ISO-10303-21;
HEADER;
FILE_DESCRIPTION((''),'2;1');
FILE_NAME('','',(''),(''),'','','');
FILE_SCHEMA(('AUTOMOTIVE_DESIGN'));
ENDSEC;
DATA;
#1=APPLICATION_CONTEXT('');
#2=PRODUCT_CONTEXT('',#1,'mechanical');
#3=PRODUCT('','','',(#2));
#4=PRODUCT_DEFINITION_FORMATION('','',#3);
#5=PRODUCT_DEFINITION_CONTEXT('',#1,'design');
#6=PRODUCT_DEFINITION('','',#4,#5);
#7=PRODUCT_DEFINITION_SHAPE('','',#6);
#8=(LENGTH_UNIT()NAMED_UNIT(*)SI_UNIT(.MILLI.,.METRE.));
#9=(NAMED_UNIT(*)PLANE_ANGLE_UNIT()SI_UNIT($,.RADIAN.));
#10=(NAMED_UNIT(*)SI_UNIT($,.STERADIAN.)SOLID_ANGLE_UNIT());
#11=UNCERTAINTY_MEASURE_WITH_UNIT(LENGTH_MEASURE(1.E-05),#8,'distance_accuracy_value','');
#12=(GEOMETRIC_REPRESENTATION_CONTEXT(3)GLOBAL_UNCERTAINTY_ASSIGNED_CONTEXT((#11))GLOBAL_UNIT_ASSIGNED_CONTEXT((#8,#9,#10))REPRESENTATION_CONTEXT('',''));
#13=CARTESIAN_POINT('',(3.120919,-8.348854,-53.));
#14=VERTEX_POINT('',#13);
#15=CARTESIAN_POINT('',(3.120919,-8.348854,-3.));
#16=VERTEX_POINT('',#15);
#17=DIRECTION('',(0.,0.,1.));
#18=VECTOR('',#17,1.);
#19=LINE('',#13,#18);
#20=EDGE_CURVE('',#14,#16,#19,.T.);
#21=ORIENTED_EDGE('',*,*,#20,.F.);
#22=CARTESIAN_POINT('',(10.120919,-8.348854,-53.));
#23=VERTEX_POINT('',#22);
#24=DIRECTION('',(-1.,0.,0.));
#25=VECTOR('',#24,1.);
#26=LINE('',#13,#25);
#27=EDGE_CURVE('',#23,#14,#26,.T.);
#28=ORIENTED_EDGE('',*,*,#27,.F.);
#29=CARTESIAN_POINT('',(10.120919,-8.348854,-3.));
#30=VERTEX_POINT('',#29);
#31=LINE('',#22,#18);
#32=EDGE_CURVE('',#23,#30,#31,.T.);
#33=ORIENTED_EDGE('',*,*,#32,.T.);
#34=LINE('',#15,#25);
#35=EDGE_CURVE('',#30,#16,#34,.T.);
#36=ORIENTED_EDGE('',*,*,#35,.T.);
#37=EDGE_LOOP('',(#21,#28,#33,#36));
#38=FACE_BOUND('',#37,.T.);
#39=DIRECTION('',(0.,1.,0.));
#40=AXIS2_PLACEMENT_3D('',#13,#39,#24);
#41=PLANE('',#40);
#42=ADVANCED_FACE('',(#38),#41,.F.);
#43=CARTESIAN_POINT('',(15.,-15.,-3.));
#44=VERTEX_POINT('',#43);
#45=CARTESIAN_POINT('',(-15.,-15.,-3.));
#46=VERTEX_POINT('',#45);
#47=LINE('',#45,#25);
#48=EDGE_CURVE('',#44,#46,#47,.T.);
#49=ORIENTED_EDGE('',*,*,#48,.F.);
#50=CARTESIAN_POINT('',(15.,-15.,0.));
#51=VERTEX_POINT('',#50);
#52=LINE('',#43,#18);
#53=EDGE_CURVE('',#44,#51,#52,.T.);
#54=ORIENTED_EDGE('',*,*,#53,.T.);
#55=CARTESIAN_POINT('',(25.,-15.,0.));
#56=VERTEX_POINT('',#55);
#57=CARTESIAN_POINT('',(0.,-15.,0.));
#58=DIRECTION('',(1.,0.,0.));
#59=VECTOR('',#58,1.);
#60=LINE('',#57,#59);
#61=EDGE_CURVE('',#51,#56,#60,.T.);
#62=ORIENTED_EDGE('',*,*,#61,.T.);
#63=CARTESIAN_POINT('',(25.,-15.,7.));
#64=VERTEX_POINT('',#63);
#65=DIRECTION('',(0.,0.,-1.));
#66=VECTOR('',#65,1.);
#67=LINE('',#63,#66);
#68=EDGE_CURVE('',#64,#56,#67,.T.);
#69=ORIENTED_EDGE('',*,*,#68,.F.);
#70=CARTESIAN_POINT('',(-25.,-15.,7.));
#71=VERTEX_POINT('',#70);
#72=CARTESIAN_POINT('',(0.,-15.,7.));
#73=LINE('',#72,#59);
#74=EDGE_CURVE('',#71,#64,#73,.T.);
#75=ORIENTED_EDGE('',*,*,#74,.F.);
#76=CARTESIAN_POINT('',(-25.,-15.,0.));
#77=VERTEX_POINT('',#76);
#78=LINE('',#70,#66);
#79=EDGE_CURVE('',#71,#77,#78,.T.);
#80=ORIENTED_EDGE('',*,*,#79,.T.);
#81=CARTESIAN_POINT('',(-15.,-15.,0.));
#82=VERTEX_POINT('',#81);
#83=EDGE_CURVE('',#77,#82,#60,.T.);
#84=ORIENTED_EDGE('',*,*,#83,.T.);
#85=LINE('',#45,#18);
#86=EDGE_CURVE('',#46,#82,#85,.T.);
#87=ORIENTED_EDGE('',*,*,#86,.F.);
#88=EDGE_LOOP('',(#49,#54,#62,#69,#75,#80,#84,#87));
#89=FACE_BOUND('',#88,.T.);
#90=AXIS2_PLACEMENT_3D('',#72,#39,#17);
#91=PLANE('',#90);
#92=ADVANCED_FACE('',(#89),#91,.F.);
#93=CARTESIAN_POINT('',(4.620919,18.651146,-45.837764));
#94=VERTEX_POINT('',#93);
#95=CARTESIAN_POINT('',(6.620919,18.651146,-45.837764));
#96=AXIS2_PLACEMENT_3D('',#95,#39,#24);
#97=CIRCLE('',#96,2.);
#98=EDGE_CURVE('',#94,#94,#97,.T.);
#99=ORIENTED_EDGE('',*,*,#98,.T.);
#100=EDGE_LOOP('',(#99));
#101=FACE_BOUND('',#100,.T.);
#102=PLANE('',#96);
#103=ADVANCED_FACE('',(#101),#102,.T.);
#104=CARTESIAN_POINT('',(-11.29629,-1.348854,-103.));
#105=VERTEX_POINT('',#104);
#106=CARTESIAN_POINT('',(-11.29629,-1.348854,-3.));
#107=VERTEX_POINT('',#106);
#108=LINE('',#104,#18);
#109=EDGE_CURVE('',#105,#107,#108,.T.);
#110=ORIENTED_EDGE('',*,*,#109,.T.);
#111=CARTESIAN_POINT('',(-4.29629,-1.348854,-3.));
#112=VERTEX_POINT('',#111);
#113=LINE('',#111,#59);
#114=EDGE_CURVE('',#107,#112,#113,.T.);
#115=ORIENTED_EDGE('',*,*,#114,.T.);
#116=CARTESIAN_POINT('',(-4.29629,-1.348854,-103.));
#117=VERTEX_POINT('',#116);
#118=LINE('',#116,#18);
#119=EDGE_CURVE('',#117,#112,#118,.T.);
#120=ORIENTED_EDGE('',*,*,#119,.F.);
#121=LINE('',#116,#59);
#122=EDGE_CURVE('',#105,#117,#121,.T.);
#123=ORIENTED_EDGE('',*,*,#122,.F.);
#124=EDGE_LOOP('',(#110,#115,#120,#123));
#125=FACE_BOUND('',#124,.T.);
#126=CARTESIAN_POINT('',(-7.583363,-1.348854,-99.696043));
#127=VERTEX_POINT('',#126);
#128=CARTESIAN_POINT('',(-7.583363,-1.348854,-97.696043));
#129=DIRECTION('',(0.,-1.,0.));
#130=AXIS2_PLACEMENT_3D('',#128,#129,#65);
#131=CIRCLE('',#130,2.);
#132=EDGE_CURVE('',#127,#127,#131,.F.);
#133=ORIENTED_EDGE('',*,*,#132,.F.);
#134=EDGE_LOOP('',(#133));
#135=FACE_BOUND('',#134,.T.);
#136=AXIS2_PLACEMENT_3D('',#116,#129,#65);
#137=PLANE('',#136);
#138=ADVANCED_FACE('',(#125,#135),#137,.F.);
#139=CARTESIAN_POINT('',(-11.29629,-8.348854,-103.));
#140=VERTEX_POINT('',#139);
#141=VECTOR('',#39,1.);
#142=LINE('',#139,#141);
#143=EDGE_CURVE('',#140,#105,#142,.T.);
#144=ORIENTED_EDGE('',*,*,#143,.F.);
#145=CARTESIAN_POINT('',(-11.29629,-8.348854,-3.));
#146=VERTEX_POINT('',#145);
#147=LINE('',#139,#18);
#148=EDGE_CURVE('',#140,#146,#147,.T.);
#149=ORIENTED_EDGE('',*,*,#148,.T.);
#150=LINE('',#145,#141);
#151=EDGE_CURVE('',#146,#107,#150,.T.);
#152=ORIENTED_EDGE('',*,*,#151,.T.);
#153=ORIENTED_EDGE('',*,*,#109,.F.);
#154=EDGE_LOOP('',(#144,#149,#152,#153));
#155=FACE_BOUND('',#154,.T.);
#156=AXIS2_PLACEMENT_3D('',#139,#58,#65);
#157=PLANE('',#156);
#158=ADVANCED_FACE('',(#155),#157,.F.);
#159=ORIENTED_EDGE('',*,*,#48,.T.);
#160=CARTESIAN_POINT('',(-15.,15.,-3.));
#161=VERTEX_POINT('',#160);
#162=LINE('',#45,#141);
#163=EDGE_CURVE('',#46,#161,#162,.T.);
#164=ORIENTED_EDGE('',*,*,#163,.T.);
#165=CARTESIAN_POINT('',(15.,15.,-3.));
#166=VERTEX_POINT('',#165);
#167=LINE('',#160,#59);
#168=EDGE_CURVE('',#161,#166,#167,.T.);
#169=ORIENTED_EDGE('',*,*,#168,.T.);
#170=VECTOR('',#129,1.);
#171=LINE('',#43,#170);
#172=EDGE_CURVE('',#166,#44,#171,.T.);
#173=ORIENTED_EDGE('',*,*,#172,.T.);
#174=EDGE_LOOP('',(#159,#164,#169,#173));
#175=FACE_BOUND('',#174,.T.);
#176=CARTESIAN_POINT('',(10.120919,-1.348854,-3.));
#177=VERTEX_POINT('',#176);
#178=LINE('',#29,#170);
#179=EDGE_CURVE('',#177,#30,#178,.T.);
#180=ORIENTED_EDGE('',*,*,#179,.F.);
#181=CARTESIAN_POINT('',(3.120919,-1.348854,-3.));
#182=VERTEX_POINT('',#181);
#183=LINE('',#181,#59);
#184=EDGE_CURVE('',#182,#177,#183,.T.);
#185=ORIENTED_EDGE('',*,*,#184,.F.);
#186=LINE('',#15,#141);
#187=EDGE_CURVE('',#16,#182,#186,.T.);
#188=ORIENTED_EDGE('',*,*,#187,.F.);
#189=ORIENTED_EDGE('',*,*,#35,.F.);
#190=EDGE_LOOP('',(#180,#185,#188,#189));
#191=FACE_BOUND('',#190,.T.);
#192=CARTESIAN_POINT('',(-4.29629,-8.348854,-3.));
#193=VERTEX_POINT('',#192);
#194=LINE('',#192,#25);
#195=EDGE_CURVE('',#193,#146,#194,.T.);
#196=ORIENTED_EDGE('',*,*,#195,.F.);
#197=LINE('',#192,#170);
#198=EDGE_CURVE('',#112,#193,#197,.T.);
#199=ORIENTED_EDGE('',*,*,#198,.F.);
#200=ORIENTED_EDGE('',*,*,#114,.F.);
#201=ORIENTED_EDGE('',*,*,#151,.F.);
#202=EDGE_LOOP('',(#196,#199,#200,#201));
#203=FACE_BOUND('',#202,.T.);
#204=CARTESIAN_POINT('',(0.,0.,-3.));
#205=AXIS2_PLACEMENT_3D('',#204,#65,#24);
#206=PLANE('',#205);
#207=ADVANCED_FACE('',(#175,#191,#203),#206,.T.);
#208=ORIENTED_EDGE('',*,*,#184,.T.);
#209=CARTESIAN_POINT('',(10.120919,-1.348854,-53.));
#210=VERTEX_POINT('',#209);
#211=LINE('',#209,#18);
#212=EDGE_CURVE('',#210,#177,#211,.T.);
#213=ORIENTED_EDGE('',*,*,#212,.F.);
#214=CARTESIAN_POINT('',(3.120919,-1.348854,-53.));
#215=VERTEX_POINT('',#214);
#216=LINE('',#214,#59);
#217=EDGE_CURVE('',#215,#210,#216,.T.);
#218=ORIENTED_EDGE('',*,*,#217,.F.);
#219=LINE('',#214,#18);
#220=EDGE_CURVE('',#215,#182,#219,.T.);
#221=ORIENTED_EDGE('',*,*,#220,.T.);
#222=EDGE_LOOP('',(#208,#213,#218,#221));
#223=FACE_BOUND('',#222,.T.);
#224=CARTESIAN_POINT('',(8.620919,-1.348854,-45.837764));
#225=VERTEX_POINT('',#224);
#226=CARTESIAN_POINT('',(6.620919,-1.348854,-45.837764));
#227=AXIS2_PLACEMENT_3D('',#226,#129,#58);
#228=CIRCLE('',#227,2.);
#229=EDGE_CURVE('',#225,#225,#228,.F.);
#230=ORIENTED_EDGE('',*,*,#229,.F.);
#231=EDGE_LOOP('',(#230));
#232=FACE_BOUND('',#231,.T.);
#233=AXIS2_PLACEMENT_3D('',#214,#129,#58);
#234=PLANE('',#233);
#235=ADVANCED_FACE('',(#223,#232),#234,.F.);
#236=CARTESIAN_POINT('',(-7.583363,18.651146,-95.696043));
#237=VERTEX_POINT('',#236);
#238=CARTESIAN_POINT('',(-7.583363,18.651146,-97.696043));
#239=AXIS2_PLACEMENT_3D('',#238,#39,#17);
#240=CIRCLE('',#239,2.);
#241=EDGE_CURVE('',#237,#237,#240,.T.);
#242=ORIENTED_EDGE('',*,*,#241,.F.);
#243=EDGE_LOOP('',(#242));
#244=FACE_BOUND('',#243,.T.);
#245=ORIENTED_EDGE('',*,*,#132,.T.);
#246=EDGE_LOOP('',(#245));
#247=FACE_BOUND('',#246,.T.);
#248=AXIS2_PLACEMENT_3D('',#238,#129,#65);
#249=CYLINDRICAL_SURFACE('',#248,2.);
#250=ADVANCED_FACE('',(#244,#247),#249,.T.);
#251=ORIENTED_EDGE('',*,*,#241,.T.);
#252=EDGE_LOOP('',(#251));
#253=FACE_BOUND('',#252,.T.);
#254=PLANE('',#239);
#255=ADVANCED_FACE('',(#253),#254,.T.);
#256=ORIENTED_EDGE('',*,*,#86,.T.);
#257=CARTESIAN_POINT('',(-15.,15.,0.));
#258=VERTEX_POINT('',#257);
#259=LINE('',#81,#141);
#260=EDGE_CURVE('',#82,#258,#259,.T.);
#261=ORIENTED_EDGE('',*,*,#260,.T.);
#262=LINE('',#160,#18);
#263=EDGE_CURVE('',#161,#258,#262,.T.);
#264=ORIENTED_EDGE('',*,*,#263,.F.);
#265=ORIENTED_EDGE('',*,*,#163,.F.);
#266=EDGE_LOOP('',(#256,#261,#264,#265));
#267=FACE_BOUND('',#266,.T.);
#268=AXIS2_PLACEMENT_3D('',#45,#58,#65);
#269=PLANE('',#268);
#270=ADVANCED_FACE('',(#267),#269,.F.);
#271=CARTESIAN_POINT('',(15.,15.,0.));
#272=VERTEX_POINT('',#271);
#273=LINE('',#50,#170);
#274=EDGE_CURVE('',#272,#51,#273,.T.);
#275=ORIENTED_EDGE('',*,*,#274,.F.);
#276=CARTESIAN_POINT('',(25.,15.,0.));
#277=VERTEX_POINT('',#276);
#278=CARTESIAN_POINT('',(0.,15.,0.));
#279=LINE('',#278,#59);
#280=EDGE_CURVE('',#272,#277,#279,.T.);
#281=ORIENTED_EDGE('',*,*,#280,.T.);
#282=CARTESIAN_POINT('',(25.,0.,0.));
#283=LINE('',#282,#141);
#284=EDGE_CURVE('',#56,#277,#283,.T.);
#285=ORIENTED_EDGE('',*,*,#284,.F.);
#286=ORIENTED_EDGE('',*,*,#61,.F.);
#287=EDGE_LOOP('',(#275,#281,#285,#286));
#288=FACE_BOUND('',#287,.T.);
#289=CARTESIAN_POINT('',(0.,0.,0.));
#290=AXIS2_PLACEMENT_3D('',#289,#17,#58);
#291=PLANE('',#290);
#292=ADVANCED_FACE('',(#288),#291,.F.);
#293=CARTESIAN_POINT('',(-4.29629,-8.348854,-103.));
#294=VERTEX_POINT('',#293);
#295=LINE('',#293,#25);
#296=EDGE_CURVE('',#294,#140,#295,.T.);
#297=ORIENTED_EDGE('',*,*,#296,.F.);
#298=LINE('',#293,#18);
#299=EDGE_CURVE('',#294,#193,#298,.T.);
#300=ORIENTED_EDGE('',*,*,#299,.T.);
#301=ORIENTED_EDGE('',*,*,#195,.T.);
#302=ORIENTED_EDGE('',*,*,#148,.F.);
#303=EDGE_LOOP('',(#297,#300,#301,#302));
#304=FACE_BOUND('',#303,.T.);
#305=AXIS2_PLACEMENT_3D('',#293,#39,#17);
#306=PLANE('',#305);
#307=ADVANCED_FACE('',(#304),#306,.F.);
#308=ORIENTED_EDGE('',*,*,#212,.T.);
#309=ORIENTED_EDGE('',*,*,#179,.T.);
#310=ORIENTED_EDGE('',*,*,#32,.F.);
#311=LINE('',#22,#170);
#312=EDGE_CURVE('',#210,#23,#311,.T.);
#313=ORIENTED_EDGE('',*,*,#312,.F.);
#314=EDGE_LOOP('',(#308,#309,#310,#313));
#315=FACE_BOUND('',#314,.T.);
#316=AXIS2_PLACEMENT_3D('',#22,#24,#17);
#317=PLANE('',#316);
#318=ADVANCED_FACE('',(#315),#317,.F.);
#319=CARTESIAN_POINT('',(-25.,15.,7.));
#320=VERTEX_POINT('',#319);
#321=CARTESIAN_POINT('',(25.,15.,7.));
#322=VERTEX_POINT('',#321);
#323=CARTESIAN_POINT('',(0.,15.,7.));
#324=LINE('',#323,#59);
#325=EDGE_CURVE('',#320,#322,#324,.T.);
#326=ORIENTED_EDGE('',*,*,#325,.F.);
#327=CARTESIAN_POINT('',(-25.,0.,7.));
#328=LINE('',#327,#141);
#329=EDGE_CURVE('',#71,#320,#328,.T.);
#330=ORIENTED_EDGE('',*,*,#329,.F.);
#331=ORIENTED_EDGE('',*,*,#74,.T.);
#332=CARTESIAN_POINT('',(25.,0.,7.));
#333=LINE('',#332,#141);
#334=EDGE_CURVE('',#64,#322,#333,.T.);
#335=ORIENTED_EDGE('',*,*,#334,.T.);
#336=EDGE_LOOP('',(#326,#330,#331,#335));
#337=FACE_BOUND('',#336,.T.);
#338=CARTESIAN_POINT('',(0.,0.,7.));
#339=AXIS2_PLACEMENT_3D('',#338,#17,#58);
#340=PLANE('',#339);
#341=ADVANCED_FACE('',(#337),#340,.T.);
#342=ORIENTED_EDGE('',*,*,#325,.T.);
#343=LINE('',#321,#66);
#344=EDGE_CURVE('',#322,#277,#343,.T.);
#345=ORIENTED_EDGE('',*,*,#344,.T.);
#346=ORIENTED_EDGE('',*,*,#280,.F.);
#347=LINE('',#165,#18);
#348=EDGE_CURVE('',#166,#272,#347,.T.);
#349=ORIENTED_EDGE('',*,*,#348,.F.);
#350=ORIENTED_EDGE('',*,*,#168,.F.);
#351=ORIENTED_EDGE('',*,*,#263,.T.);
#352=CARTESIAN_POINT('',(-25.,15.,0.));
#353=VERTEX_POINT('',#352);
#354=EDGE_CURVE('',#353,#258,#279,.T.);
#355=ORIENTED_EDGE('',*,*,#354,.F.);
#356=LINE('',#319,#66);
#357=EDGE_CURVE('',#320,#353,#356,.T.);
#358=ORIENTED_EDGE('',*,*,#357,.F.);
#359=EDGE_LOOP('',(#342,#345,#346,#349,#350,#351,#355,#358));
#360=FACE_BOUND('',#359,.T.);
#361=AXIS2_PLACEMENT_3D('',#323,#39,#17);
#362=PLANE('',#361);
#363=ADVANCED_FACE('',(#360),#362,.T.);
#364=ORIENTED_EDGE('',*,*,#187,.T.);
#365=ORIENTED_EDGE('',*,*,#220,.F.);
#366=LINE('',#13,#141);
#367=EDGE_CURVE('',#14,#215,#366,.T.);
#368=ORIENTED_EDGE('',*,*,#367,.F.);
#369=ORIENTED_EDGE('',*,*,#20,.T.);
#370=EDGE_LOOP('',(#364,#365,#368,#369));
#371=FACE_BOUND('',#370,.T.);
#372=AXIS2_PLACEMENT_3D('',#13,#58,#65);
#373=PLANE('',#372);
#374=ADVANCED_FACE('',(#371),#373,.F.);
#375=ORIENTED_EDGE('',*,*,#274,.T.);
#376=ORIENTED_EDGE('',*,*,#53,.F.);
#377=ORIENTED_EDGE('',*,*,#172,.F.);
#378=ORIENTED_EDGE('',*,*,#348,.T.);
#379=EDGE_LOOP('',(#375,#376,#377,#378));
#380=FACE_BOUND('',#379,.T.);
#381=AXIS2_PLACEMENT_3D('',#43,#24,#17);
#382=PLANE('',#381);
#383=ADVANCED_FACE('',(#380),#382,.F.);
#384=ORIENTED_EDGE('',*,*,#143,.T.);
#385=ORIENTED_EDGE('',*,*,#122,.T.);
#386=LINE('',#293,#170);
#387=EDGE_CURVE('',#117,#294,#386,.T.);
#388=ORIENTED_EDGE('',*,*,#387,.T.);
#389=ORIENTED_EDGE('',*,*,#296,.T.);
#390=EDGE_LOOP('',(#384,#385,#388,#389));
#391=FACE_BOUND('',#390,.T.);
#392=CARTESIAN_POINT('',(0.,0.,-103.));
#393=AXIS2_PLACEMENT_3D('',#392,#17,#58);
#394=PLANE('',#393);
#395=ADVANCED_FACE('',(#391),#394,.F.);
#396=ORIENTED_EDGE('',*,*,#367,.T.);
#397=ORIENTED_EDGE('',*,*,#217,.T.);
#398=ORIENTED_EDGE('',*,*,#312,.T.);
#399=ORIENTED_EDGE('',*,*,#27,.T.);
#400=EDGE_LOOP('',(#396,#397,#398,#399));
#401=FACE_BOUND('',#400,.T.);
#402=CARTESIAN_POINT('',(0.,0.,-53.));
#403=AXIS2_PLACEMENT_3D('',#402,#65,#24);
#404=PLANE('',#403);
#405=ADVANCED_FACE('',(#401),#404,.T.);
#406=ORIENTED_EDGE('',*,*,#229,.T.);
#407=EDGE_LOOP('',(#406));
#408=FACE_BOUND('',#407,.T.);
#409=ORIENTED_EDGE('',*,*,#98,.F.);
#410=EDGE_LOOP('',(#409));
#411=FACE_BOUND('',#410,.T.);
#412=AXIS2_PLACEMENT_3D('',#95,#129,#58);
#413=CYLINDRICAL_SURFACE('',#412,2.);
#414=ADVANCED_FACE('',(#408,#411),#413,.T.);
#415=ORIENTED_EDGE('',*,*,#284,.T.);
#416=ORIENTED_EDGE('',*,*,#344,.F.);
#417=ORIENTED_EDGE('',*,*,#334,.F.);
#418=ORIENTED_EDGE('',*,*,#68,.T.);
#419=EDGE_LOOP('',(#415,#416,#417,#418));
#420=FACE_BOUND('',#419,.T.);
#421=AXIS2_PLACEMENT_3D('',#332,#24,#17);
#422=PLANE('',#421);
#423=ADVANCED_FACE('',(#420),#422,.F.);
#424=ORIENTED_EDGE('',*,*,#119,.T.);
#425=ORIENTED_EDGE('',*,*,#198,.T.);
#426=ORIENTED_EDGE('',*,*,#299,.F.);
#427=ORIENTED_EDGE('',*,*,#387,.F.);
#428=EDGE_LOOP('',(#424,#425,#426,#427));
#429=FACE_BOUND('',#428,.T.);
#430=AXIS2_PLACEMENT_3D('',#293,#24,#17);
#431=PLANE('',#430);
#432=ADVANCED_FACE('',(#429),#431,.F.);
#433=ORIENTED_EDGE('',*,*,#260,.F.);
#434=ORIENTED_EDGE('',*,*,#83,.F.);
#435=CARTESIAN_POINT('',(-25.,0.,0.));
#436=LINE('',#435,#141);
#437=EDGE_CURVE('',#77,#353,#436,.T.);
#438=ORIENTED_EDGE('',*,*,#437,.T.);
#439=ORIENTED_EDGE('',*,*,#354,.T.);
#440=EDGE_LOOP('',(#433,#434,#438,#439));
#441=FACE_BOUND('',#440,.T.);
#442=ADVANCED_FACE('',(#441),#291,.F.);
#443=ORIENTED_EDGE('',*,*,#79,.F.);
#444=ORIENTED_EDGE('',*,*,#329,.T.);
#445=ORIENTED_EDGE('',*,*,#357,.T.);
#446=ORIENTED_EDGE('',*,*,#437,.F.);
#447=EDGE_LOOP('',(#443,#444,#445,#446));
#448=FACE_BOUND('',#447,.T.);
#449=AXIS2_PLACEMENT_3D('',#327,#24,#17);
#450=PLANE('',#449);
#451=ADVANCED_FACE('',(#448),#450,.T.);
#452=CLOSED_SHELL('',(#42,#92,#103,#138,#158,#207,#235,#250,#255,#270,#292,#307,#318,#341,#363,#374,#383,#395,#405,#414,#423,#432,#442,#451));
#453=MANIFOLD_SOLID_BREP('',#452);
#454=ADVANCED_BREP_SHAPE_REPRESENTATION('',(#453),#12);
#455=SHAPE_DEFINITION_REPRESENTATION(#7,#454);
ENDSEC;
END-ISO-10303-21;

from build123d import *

# Parameters (mm, degrees)
SKETCH1_W            = 10
SKETCH1_H            = 30
SKETCH1_W_2          = 30
BOSS_EXTRUDE4_DEPTH  = 7
SKETCH3_W            = 30
SKETCH3_H            = 30
BOSS_EXTRUDE5_DEPTH  = 3
SKETCH4_W            = 7
SKETCH4_H            = 7
BOSS_EXTRUDE8_DEPTH  = 50
SKETCH6_R            = 2
BOSS_EXTRUDE9_DEPTH  = 20
SKETCH7_W            = 7
SKETCH7_H            = 7
BOSS_EXTRUDE13_DEPTH = 100
SKETCH10_R           = 2
BOSS_EXTRUDE14_DEPTH = 20


with BuildPart() as part:
    # Sketch1 → Boss-Extrude4 (new body)
    with BuildSketch(Plane.XY):
        with Locations((-20, 0)):
            Rectangle(SKETCH1_W, SKETCH1_H)
        Rectangle(SKETCH1_W_2, SKETCH1_H)
        with Locations((20, 0)):
            Rectangle(SKETCH1_W, SKETCH1_H)
    extrude(amount=BOSS_EXTRUDE4_DEPTH)

    # Sketch3 → Boss-Extrude5 (add)
    with BuildSketch(Plane(origin=(0, 0, 0), x_dir=(-1, 0, 0), z_dir=(0, 0, -1))):
        Rectangle(SKETCH3_W, SKETCH3_H)
    extrude(amount=BOSS_EXTRUDE5_DEPTH)

    # Sketch4 → Boss-Extrude8 (add)
    with BuildSketch(Plane(origin=(0, 0, -3), x_dir=(-1, 0, 0), z_dir=(0, 0, -1))):
        with Locations((-6.620919375, -4.848854148)):
            Rectangle(SKETCH4_W, SKETCH4_H)
    extrude(amount=BOSS_EXTRUDE8_DEPTH)

    # Sketch6 → Boss-Extrude9 (add)
    with BuildSketch(Plane(origin=(0, -1.348854148, 0), x_dir=(1, 0, 0), z_dir=(0, 1, 0))):
        with Locations((6.620919375, 45.83776359)):
            Circle(SKETCH6_R)
    extrude(amount=BOSS_EXTRUDE9_DEPTH)

    # Sketch7 → Boss-Extrude13 (add)
    with BuildSketch(Plane(origin=(0, 0, -3), x_dir=(-1, 0, 0), z_dir=(0, 0, -1))):
        with Locations((7.796290003, -4.848854148)):
            Rectangle(SKETCH7_W, SKETCH7_H)
    extrude(amount=BOSS_EXTRUDE13_DEPTH)

    # Sketch10 → Boss-Extrude14 (add)
    with BuildSketch(Plane(origin=(0, -1.348854148, 0), x_dir=(1, 0, 0), z_dir=(0, 1, 0))):
        with Locations((-7.583363056, 97.696042798)):
            Circle(SKETCH10_R)
    extrude(amount=BOSS_EXTRUDE14_DEPTH)


solid = part.part
